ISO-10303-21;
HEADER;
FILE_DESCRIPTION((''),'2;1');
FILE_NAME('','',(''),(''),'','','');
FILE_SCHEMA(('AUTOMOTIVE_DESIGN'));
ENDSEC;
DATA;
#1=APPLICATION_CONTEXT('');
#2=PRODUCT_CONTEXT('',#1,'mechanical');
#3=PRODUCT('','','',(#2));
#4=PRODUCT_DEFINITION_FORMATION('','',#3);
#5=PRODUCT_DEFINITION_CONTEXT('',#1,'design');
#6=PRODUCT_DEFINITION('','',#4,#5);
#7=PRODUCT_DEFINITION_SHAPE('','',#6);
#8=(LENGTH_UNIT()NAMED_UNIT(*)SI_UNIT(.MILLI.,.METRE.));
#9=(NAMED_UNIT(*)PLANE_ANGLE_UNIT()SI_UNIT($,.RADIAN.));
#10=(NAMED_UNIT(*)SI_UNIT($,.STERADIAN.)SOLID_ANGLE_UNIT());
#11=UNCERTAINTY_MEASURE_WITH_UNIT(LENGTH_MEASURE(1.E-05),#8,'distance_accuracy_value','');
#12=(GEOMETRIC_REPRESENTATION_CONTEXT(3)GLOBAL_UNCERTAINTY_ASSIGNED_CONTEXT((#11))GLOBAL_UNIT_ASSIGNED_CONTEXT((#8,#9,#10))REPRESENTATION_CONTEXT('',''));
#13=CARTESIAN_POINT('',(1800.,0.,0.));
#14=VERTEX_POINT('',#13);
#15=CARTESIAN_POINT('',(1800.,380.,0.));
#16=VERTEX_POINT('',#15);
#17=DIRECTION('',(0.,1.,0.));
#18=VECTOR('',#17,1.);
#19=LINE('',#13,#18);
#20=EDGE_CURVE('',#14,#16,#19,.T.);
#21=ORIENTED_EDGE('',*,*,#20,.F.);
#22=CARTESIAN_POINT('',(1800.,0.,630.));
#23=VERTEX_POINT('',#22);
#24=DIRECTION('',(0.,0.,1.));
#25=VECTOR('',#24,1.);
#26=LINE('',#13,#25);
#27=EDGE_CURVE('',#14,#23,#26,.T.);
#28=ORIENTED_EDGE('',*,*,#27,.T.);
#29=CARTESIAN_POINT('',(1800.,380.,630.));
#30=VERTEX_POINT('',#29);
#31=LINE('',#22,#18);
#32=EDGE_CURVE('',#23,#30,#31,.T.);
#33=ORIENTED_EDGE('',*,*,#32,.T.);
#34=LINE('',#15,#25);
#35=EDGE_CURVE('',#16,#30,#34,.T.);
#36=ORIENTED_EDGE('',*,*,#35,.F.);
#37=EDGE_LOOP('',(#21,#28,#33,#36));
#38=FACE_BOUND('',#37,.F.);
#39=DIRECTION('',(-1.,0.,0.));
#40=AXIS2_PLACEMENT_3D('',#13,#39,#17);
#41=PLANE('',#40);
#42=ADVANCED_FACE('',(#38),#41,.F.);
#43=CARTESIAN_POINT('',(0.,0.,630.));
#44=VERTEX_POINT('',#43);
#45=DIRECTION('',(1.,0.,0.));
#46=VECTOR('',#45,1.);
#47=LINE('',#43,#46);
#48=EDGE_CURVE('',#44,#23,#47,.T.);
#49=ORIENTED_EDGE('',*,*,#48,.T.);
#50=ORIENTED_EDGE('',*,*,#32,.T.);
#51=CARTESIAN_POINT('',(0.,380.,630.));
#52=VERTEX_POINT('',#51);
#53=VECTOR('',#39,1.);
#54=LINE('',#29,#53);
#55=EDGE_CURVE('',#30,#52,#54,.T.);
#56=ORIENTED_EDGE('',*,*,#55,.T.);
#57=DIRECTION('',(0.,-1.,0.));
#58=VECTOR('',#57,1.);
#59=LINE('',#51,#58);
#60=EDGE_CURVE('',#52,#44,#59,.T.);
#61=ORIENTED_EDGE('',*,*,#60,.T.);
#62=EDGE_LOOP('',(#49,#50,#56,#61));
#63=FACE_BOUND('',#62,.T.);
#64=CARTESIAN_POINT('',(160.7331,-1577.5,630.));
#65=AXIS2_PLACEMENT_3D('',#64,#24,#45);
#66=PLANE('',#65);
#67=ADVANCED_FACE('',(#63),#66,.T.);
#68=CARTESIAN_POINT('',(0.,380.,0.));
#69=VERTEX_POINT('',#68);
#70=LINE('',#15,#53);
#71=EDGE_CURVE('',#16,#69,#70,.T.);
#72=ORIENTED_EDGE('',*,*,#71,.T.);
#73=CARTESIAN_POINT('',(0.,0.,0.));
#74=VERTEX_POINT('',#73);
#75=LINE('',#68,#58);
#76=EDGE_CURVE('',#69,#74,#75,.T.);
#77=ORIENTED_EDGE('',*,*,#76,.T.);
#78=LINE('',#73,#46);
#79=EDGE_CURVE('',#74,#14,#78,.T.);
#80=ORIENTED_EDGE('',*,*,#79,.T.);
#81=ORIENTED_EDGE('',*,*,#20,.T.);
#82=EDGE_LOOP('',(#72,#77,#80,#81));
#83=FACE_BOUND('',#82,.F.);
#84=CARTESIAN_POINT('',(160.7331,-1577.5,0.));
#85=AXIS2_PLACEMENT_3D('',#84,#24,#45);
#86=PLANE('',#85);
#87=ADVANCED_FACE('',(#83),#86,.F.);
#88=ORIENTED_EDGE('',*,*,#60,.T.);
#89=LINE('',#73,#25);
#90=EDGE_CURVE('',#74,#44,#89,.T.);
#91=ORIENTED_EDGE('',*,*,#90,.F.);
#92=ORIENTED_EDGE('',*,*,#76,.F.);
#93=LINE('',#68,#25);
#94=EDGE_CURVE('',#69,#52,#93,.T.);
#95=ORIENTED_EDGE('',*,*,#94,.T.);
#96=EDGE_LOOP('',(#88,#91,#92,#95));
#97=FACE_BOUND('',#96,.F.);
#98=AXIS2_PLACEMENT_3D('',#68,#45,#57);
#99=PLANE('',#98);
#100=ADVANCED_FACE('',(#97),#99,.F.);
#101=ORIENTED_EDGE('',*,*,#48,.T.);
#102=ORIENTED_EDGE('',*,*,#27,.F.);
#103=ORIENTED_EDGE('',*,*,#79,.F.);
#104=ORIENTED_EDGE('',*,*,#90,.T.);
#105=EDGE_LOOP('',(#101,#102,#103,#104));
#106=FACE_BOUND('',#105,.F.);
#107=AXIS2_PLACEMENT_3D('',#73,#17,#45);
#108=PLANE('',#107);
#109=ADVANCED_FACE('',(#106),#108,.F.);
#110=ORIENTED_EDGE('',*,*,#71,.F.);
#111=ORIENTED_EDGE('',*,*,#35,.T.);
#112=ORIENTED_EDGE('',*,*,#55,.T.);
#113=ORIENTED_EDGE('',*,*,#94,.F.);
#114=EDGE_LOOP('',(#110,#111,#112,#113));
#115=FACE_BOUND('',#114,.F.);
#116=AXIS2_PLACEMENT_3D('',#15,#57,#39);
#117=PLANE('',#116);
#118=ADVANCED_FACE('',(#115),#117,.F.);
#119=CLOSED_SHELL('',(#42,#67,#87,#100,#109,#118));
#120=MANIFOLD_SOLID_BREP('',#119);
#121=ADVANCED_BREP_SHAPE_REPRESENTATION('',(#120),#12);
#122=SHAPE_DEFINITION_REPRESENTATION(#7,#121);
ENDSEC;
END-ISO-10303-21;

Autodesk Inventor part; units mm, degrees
ref_plane "YZ Plane" through (0, 0, 0) normal (1, 0, 0) x (0, 1, 0)
ref_plane "XZ Plane" through (0, 0, 0) normal (0, 1, 0) x (-1, 0, 0)
ref_plane "XY Plane" through (0, 0, 0) normal (0, 0, 1) x (1, 0, 0)
ref_plane "Plano de trabajo1" through (160.7331, -1577.5, 0) normal (0, 0, 1) x (1, 0, 0)
sketch "Boceto1" plane through (160.7331, -1577.5, 0) normal (0, 0, 1) x (1, 0, 0)
  line L0 (-160.7331, 1577.5) -> (1639.2669, 1577.5)
  line L1 (1639.2669, 1577.5) -> (1639.2669, 1957.5)
  line L2 (1639.2669, 1957.5) -> (-160.7331, 1957.5)
  line L3 (-160.7331, 1957.5) -> (-160.7331, 1577.5)
  dimension "d0" = 1800
  dimension "d1" = 380
extrude "Extrusión1" add sketch "Boceto1" along normal blind 630
properties part number "Mueble Tele"
